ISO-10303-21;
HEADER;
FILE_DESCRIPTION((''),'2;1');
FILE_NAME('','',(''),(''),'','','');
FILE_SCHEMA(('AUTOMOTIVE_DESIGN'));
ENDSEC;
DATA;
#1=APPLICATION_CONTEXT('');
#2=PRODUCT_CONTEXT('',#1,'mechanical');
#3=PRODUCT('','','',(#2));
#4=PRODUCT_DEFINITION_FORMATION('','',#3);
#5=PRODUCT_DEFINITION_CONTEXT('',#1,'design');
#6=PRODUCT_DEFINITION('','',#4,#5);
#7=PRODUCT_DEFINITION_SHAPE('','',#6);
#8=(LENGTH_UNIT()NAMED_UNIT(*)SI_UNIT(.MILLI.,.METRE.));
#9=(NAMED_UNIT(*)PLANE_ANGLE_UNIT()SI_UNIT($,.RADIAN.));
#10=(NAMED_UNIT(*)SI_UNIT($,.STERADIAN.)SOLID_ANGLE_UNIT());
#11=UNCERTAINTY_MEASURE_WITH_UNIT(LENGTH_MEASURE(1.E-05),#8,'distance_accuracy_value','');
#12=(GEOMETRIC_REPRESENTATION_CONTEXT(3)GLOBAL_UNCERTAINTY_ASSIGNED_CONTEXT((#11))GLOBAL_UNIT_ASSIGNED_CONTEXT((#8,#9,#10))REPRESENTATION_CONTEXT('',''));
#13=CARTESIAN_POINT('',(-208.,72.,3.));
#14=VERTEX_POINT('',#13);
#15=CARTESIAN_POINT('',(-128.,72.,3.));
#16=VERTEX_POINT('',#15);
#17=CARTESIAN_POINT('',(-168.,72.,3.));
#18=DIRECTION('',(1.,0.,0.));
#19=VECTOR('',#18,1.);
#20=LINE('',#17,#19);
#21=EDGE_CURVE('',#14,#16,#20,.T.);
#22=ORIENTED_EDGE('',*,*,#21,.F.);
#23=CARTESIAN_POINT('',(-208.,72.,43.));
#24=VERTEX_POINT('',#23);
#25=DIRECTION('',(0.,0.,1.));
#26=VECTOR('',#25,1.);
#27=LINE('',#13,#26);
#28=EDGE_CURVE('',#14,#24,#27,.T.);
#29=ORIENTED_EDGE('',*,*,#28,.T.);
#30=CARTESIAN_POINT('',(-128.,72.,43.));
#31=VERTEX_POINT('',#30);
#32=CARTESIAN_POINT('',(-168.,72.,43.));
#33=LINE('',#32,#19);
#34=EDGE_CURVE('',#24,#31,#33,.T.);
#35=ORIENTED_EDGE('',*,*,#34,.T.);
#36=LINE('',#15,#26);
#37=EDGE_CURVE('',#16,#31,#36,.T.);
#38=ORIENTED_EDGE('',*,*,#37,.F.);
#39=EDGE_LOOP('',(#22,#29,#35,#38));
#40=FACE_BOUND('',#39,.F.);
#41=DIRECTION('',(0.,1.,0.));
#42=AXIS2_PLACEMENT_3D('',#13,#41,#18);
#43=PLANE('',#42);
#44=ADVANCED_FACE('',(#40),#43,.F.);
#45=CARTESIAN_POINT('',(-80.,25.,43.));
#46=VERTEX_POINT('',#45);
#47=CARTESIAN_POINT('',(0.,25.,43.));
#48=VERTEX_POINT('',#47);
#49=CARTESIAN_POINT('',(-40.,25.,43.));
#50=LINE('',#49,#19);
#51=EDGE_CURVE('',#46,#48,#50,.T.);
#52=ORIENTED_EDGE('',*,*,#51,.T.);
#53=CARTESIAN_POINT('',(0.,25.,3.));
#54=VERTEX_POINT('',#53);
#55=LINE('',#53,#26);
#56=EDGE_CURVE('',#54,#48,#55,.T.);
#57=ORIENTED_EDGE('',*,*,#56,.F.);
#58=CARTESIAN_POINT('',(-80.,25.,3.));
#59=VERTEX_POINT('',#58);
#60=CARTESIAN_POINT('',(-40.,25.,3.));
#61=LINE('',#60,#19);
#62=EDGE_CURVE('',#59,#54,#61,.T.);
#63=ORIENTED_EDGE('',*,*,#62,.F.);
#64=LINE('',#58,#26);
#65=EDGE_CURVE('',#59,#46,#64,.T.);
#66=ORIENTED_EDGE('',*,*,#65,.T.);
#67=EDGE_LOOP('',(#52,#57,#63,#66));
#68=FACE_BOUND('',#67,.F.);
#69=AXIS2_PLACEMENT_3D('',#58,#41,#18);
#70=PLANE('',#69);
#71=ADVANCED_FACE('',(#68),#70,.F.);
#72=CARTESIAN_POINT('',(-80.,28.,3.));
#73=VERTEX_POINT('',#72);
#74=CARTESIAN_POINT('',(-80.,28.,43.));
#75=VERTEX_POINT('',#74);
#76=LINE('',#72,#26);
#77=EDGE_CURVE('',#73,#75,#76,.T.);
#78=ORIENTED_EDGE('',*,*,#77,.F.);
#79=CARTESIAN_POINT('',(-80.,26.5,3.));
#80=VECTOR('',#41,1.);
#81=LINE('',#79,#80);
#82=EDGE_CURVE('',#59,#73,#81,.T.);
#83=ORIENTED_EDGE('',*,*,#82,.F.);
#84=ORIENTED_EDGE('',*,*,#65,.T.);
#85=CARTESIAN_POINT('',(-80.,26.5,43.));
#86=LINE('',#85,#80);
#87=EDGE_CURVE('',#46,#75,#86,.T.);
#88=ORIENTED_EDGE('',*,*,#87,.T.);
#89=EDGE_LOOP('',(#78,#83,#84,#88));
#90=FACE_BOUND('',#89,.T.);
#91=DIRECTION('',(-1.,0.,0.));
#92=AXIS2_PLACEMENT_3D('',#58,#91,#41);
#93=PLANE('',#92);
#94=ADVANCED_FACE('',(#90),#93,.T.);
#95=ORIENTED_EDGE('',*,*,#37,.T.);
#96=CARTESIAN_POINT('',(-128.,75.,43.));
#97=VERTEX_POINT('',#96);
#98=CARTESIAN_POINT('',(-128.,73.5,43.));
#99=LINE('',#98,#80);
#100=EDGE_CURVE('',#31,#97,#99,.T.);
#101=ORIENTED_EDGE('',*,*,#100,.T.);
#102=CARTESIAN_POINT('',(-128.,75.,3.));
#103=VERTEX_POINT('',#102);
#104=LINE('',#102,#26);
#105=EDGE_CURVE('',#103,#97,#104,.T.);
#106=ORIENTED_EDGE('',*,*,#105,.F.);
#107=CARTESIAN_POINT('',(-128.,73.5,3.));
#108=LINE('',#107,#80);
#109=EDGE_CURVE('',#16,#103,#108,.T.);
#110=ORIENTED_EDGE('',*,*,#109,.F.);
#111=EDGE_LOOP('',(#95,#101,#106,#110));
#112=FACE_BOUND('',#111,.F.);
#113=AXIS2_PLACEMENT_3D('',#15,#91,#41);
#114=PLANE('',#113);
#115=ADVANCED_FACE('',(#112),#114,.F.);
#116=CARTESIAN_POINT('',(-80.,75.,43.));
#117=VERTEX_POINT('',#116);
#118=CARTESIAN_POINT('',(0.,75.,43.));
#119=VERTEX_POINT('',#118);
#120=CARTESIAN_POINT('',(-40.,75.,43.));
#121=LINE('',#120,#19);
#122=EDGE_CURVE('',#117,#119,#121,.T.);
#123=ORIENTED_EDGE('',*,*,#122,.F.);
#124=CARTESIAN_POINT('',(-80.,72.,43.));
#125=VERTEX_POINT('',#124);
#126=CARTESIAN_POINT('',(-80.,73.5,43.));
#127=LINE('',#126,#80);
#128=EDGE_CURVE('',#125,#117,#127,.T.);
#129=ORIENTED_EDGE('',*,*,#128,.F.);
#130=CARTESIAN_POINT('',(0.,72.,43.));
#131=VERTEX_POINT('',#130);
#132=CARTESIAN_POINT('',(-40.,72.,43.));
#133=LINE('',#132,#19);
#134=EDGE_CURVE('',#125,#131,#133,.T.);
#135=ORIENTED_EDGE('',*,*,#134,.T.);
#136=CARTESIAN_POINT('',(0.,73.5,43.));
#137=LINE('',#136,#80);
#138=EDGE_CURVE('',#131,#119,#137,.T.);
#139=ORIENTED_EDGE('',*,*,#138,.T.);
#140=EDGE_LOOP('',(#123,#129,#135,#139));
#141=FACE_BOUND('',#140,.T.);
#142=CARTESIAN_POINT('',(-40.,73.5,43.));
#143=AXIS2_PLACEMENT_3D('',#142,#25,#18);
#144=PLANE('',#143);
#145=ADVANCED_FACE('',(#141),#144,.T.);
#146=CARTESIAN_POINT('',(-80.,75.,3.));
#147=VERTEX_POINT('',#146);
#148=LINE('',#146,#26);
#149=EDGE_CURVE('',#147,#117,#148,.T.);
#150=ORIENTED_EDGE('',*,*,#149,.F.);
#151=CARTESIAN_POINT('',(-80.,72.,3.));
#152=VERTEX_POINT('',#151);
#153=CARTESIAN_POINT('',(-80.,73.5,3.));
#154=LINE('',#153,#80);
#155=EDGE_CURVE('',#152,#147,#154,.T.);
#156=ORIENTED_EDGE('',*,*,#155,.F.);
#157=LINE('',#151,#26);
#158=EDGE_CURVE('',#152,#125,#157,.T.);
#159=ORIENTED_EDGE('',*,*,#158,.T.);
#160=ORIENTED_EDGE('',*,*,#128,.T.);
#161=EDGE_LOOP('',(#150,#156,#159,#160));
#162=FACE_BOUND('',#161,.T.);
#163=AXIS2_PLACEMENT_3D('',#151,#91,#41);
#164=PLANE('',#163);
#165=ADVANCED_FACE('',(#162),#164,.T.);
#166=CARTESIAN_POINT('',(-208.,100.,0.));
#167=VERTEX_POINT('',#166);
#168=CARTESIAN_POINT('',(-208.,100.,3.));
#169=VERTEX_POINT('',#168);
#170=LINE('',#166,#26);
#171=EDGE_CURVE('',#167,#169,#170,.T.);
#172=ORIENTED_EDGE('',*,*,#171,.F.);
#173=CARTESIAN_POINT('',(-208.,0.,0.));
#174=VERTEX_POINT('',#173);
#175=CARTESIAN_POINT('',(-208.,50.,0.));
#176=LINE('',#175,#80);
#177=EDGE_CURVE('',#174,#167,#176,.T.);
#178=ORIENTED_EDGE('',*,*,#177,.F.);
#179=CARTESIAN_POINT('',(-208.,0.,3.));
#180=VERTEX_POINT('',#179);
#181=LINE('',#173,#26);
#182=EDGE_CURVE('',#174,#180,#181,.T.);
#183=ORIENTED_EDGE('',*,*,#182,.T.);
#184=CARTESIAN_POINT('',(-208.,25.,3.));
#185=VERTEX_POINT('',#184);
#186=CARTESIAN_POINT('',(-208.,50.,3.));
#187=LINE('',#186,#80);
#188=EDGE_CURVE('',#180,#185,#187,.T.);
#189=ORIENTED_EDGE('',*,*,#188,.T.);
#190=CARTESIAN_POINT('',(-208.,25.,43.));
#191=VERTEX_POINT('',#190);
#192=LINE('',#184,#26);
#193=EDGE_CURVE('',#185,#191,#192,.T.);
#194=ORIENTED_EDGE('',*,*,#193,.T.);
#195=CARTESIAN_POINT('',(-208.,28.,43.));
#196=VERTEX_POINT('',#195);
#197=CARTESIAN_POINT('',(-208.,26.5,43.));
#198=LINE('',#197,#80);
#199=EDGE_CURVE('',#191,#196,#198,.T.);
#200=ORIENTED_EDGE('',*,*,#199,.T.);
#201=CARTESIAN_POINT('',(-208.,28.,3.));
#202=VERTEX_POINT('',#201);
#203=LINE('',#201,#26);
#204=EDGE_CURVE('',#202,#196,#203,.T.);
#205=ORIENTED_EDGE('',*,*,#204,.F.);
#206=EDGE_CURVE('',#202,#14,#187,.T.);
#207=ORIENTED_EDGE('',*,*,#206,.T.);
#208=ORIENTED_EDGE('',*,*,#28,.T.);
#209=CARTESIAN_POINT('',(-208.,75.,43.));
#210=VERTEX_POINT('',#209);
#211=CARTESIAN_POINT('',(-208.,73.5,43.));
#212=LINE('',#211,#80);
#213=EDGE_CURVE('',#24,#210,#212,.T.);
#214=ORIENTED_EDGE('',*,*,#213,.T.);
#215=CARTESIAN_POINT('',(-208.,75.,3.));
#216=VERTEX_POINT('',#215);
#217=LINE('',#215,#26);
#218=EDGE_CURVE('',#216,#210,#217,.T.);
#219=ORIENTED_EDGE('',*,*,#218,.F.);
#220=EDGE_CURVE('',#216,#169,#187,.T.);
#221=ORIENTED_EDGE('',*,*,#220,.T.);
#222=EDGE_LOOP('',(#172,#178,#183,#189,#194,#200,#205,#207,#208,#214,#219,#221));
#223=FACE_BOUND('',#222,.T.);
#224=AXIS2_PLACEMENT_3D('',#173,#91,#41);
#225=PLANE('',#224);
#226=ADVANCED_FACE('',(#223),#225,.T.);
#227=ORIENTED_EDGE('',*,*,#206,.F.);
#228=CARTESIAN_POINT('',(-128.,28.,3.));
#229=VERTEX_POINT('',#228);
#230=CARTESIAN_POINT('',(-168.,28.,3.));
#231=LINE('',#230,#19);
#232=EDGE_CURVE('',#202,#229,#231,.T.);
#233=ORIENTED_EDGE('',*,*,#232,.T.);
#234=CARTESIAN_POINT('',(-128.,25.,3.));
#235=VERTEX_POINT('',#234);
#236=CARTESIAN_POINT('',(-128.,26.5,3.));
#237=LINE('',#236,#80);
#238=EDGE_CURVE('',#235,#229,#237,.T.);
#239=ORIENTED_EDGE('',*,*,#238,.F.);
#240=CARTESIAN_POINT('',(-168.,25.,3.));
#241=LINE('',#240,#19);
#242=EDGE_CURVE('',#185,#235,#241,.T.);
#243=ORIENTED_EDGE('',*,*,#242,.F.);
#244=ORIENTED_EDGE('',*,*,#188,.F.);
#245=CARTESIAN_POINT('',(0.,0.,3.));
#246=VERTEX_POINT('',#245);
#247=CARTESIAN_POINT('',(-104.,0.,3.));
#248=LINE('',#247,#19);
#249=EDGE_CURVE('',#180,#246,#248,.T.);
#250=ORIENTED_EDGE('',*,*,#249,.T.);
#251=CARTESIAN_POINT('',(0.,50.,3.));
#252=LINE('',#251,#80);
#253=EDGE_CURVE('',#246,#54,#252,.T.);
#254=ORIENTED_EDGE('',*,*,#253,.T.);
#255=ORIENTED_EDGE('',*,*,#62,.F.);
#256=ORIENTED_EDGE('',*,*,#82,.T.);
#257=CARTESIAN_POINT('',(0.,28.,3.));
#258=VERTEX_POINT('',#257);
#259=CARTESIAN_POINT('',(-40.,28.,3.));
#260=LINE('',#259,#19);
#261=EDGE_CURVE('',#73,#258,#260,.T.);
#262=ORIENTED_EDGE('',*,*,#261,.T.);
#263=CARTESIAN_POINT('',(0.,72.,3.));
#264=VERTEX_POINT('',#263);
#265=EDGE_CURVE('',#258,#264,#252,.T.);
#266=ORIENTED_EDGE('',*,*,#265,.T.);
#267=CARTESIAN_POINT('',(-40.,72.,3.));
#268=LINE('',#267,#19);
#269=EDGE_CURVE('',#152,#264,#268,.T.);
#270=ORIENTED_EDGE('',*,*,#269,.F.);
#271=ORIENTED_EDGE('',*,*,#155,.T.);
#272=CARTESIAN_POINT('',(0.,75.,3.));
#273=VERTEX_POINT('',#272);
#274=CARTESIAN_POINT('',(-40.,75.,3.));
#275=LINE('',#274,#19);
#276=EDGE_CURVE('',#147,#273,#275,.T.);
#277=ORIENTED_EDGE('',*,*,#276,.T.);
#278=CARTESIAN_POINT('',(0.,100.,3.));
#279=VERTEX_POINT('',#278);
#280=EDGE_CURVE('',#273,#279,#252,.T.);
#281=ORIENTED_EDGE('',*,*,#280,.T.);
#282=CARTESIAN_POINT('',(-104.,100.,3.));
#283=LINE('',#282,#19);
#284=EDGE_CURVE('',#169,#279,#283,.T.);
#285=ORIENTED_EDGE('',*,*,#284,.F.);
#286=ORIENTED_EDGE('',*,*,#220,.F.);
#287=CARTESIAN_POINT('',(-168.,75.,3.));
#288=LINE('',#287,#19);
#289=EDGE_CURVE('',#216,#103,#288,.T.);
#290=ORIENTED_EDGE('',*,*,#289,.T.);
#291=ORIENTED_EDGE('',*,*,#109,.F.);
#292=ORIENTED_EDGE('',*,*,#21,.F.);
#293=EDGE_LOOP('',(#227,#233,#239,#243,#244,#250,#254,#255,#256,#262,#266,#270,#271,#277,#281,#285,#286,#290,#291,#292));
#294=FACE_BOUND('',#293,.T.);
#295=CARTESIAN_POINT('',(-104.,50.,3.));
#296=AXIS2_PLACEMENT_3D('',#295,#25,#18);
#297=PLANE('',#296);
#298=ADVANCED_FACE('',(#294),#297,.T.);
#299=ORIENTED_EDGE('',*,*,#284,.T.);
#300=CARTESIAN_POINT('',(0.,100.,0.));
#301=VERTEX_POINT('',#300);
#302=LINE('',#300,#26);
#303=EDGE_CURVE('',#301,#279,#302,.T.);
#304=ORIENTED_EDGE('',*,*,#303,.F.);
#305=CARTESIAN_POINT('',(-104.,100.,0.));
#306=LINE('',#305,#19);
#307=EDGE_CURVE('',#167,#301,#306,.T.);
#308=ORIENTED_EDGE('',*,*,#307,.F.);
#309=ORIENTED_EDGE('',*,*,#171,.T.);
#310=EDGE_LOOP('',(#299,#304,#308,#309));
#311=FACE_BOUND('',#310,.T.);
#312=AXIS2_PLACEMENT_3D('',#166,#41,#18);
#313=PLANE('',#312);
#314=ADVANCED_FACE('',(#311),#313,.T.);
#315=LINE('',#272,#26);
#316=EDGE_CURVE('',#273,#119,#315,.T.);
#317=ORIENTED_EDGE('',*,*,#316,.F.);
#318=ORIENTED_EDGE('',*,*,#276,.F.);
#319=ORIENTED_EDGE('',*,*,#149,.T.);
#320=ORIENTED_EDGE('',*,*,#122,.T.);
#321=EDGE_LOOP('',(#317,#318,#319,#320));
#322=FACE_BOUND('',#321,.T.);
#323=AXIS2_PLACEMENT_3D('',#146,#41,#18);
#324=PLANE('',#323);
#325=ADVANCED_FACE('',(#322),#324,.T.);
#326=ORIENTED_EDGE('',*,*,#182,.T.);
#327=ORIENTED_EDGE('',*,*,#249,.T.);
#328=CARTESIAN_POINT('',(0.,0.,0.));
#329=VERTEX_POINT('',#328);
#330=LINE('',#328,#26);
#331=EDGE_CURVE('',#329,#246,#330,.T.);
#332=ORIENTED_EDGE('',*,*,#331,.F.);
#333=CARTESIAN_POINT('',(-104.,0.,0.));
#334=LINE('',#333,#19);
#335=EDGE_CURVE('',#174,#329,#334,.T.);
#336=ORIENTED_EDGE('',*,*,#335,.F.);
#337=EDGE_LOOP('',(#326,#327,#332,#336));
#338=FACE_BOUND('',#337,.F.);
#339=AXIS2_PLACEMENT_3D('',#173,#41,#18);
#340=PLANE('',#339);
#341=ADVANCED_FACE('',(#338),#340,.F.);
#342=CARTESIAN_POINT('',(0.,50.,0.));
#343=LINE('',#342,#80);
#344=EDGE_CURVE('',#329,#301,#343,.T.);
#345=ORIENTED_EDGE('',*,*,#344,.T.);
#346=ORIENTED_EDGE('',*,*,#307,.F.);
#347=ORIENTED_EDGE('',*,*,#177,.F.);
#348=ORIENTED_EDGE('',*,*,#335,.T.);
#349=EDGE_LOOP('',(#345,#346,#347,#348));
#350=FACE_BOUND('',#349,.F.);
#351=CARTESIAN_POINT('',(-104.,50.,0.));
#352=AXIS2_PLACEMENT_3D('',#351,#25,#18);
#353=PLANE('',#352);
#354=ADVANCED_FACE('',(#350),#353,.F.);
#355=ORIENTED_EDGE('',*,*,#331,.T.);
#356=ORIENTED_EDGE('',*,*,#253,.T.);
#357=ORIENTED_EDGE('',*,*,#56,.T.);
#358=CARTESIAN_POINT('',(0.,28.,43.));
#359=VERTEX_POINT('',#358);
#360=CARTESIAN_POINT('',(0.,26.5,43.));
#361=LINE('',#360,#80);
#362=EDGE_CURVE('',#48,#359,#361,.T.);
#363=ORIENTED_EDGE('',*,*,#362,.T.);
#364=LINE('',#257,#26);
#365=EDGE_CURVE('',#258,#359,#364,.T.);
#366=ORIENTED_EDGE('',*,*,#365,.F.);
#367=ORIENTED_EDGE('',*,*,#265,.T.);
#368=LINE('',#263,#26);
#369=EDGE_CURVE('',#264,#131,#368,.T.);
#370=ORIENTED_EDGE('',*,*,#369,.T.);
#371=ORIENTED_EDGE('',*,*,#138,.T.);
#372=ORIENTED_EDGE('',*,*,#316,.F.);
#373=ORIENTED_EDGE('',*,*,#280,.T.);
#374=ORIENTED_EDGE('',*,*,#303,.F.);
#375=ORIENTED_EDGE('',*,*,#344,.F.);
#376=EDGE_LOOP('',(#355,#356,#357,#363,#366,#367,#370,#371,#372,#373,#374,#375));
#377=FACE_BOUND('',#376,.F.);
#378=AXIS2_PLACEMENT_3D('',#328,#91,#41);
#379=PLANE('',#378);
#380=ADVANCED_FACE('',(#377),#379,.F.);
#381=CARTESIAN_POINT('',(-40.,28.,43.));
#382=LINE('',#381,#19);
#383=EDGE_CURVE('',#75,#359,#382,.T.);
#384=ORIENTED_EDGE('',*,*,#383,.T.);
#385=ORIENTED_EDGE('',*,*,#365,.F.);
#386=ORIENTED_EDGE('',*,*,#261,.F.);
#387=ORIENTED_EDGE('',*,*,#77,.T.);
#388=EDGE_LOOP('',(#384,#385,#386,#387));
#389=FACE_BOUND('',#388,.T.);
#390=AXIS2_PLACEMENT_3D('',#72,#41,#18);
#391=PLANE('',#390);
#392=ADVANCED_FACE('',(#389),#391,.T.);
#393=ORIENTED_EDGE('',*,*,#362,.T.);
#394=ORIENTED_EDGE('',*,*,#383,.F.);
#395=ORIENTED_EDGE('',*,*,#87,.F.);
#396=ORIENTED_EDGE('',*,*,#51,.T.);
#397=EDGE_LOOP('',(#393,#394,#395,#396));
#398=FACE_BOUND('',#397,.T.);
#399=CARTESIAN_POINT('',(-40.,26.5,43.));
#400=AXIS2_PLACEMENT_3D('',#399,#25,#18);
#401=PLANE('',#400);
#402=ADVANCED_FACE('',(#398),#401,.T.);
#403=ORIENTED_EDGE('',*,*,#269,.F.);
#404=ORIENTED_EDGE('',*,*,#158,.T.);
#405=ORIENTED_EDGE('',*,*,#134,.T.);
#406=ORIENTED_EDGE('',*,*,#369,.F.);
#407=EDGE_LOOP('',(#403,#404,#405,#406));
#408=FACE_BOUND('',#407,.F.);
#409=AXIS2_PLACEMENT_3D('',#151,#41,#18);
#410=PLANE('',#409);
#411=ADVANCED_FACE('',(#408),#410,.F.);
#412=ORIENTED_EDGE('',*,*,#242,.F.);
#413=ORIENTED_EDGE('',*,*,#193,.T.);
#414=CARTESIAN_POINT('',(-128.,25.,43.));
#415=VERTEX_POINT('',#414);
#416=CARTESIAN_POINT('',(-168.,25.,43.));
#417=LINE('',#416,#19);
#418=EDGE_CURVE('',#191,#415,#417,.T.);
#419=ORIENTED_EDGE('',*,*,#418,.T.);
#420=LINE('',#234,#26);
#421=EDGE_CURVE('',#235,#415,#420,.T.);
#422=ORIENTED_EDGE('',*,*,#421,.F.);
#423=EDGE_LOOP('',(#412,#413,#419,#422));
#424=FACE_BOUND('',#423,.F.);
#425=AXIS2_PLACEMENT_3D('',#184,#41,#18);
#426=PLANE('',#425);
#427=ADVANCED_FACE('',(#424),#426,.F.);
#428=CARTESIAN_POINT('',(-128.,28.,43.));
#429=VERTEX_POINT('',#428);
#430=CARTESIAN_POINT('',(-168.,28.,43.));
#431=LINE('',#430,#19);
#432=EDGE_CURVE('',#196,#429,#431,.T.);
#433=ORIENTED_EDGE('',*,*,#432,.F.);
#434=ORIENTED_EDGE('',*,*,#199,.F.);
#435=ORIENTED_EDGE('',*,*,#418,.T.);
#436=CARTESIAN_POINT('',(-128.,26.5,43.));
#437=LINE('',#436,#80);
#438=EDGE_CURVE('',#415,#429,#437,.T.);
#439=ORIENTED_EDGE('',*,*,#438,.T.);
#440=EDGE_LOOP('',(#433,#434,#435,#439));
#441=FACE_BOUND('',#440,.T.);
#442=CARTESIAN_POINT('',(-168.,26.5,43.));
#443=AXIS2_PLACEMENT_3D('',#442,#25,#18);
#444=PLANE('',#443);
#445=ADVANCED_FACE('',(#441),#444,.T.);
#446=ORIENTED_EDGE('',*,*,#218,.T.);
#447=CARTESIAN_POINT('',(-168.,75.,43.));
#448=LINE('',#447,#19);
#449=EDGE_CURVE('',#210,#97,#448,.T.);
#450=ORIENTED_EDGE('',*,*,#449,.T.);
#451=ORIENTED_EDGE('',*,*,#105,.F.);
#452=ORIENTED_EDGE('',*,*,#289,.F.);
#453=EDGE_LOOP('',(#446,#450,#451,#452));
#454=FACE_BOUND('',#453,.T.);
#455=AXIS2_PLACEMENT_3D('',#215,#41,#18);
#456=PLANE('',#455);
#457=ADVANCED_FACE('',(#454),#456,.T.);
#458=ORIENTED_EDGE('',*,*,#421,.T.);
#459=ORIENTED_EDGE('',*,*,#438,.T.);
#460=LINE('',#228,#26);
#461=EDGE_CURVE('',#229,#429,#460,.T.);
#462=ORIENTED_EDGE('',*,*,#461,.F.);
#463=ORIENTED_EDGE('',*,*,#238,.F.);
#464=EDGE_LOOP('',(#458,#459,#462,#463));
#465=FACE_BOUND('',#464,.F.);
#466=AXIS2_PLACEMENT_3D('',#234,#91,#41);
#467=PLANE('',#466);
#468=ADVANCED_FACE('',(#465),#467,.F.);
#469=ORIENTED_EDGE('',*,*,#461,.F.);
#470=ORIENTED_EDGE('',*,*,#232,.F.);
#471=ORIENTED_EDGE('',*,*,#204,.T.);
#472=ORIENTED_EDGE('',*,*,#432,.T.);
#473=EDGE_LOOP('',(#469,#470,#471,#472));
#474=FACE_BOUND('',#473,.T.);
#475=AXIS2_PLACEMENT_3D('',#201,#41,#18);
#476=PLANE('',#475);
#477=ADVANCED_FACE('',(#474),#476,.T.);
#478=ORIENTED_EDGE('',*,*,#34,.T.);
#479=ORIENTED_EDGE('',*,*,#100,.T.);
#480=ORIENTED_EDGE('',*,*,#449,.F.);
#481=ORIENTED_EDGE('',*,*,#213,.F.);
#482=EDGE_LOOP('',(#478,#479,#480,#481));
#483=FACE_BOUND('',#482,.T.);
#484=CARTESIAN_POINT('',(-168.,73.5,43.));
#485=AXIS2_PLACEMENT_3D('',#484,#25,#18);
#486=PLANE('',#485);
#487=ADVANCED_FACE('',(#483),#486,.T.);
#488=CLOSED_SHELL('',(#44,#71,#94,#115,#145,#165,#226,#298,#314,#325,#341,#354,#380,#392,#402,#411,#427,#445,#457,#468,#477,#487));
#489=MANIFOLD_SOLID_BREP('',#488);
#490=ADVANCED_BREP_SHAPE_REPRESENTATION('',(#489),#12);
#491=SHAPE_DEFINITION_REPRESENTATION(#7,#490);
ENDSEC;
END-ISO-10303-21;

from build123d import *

# Parameters (mm, degrees)
SKETCH_W     = 208
SKETCH_H     = 100
PAD_DEPTH    = 3
SKETCH001_W  = 80
SKETCH001_H  = 3
PAD001_DEPTH = 40


with BuildPart() as part:
    # Sketch → Pad (new body)
    with BuildSketch(Plane.XY):
        with Locations((-104, 50)):
            Rectangle(SKETCH_W, SKETCH_H)
    extrude(amount=PAD_DEPTH)

    # Sketch001 → Pad001 (new body)
    with BuildSketch(Plane.XY.offset(3)):
        with Locations((-168, 73.5)):
            Rectangle(SKETCH001_W, SKETCH001_H)
        with Locations((-40, 73.5)):
            Rectangle(SKETCH001_W, SKETCH001_H)
        with Locations((-168, 26.5)):
            Rectangle(SKETCH001_W, SKETCH001_H)
        with Locations((-40, 26.5)):
            Rectangle(SKETCH001_W, SKETCH001_H)
    extrude(amount=PAD001_DEPTH)


solid = part.part
